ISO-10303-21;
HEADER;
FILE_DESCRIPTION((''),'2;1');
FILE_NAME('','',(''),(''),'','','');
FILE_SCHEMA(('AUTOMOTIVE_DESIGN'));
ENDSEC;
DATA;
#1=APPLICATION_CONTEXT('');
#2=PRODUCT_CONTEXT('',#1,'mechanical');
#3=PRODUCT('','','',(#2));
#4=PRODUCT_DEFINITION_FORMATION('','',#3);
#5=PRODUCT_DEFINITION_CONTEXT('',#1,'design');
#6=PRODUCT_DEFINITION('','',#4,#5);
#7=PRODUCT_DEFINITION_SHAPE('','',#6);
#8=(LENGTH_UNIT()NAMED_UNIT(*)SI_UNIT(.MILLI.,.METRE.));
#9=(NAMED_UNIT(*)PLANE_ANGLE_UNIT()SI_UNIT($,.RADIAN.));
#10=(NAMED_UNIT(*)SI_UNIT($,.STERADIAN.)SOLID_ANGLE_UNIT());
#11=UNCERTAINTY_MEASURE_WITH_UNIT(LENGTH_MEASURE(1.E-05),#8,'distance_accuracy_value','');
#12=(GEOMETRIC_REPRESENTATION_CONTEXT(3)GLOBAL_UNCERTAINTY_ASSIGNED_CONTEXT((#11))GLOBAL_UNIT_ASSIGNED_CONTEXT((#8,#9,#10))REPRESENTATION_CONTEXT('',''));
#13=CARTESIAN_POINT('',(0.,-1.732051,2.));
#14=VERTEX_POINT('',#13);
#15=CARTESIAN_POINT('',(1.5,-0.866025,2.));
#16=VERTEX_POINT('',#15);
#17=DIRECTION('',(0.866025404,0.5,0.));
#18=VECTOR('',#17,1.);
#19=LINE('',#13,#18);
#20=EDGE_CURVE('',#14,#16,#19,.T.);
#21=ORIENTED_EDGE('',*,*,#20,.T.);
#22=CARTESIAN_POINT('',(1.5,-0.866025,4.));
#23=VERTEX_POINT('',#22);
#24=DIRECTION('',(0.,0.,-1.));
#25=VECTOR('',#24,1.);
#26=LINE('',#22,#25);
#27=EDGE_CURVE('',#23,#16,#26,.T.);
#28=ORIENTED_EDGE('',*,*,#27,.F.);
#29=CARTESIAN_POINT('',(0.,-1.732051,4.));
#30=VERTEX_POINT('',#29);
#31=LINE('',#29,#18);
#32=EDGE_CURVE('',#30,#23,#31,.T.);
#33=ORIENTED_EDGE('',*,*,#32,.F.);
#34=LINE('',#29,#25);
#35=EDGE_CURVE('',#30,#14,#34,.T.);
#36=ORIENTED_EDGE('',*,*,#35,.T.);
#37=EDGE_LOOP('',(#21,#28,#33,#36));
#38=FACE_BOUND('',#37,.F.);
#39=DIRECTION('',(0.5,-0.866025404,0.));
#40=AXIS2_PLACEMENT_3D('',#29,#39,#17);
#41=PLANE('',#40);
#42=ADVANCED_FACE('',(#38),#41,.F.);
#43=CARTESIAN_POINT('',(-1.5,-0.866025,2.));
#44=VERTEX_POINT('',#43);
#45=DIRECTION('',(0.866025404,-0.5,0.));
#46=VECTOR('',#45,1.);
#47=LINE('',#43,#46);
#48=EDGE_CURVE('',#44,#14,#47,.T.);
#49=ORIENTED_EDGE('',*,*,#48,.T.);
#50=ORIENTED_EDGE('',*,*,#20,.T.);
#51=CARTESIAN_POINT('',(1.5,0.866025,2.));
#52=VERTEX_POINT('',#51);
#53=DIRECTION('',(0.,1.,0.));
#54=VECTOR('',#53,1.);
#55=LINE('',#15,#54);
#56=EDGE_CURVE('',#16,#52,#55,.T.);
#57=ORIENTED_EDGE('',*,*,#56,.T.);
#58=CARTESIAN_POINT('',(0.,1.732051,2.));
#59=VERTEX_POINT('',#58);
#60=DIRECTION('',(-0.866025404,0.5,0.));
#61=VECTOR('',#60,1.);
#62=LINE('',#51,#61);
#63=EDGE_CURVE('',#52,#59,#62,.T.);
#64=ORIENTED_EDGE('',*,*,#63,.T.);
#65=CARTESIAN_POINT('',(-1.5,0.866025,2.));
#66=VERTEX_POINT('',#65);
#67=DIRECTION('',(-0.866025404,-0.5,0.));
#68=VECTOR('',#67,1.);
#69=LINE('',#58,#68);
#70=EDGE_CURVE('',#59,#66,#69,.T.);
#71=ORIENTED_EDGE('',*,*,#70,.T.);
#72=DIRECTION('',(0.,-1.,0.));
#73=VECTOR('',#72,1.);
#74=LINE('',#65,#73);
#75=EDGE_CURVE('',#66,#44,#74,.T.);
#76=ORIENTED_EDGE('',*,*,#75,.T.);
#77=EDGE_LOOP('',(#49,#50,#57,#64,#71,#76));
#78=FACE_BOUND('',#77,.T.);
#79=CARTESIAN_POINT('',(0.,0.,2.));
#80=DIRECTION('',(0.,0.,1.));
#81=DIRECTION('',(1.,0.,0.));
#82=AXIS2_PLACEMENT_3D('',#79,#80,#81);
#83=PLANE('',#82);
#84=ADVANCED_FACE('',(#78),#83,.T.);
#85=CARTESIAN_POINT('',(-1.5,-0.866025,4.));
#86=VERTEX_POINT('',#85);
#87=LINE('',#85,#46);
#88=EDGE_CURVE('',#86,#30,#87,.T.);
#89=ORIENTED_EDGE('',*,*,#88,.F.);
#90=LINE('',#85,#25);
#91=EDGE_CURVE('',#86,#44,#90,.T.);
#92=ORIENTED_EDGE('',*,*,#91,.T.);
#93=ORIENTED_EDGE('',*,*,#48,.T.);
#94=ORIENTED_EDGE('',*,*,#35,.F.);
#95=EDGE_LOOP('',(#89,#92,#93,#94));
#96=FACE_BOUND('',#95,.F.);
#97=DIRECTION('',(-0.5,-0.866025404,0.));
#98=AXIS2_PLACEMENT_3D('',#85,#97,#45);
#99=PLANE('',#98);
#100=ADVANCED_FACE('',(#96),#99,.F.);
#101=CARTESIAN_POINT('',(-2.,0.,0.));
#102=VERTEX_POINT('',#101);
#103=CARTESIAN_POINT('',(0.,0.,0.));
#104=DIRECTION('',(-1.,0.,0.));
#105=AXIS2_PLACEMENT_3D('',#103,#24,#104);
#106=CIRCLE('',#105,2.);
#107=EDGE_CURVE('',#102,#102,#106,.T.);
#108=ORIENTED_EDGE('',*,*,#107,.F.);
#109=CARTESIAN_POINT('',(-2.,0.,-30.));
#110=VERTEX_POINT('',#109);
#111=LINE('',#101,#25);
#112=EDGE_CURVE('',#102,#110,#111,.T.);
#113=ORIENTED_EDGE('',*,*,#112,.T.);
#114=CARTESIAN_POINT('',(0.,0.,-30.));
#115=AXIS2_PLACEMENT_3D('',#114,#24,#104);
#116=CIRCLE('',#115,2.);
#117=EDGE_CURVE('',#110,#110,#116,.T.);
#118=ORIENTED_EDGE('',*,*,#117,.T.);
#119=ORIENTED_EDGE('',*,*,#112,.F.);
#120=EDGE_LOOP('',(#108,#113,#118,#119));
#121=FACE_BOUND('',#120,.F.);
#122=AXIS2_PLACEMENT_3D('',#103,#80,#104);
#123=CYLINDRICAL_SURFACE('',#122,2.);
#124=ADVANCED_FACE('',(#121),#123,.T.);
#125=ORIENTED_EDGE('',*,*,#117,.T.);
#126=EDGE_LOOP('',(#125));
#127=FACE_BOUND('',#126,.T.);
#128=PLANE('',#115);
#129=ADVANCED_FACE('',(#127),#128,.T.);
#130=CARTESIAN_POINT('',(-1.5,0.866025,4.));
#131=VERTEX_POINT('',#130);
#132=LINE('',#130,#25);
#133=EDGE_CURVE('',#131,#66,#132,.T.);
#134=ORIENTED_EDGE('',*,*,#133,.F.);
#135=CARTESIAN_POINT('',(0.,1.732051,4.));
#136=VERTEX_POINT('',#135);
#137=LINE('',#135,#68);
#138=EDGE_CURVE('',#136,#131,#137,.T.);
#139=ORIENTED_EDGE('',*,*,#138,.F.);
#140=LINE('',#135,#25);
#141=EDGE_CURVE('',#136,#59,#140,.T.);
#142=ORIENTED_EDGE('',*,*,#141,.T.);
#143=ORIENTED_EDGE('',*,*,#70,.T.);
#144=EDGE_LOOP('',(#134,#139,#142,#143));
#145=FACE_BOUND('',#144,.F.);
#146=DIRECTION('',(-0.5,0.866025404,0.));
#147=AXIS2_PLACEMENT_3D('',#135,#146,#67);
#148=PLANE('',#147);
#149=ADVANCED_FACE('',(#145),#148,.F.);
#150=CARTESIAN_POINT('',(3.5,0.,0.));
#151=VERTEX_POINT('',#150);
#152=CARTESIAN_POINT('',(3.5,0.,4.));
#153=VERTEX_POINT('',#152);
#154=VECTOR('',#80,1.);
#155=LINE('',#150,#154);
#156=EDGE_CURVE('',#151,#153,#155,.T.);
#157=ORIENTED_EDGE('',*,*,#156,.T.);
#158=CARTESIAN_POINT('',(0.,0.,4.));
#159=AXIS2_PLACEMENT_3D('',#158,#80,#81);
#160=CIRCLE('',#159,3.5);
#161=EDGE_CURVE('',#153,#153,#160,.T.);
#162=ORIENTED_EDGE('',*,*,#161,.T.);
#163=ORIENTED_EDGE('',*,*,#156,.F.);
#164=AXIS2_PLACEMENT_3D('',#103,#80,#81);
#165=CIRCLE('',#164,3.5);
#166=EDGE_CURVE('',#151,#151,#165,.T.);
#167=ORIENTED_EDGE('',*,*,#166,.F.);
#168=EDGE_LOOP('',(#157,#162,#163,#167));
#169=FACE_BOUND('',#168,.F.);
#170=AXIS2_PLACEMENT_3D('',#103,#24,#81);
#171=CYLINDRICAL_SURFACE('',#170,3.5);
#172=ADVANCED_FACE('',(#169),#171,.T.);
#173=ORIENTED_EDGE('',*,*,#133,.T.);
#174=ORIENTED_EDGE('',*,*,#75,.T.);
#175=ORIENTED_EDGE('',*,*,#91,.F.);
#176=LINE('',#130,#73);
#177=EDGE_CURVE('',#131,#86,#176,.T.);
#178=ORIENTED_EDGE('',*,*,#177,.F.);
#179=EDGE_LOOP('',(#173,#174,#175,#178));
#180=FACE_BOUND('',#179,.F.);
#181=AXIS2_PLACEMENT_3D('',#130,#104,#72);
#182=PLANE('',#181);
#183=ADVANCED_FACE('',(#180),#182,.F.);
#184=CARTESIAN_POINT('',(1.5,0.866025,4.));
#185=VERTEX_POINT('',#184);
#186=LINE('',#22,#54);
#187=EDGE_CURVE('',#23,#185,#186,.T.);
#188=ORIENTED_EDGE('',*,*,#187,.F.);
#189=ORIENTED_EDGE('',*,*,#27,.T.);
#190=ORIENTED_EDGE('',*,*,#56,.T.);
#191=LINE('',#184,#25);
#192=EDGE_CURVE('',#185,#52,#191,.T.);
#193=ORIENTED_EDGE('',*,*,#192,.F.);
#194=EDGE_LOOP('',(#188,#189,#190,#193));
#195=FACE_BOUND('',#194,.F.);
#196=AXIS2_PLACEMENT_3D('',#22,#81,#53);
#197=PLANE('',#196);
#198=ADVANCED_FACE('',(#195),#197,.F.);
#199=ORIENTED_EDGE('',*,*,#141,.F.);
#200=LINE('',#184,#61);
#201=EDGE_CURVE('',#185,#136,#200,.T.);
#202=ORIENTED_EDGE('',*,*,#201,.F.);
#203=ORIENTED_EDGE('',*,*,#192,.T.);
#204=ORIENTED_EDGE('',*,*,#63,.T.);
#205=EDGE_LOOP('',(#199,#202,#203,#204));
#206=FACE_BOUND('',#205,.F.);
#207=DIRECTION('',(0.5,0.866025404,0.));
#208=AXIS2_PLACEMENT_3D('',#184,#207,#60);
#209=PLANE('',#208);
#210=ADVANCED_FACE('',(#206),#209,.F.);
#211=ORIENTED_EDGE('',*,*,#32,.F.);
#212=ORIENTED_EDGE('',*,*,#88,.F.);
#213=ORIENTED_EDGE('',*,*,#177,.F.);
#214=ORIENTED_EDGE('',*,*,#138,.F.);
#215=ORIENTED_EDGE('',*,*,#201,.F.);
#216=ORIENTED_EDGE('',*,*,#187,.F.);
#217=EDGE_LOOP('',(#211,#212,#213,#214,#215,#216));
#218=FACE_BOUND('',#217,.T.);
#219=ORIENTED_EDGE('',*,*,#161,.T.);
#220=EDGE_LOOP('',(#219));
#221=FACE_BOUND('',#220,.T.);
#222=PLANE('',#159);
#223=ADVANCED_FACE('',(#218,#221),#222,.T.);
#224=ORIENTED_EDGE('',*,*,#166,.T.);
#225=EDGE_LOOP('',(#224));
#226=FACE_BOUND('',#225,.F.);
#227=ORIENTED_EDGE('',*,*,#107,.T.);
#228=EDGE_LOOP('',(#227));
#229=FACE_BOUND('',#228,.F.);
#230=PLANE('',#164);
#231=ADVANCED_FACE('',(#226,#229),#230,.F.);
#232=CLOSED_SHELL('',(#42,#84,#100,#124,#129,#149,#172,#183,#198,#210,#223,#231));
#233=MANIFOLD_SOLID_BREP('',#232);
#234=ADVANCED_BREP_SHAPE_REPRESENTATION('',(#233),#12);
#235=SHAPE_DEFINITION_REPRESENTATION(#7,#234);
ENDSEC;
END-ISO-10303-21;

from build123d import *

# Parameters (mm, degrees)
SKETCH1_R           = 3.5
BOSS_EXTRUDE1_DEPTH = 4
CUT_EXTRUDE1_DEPTH  = 2
SKETCH3_R           = 2
BOSS_EXTRUDE2_DEPTH = 30


with BuildPart() as part:
    # Sketch1 → Boss-Extrude1 (new body)
    with BuildSketch(Plane.XY):
        Circle(SKETCH1_R)
    extrude(amount=BOSS_EXTRUDE1_DEPTH)

    # Sketch2 → Cut-Extrude1 (cut)
    with BuildSketch(Plane.XY.offset(4)):
        Polygon((0, -1.732050808), (1.5, -0.866025404), (1.5, 0.866025404), (0, 1.732050808), (-1.5, 0.866025404), (-1.5, -0.866025404), align=None)
    extrude(amount=-CUT_EXTRUDE1_DEPTH, mode=Mode.SUBTRACT)

    # Sketch3 → Boss-Extrude2 (add)
    with BuildSketch(Plane(origin=(0, 0, 0), x_dir=(-1, 0, 0), z_dir=(0, 0, -1))):
        Circle(SKETCH3_R)
    extrude(amount=BOSS_EXTRUDE2_DEPTH)


solid = part.part
